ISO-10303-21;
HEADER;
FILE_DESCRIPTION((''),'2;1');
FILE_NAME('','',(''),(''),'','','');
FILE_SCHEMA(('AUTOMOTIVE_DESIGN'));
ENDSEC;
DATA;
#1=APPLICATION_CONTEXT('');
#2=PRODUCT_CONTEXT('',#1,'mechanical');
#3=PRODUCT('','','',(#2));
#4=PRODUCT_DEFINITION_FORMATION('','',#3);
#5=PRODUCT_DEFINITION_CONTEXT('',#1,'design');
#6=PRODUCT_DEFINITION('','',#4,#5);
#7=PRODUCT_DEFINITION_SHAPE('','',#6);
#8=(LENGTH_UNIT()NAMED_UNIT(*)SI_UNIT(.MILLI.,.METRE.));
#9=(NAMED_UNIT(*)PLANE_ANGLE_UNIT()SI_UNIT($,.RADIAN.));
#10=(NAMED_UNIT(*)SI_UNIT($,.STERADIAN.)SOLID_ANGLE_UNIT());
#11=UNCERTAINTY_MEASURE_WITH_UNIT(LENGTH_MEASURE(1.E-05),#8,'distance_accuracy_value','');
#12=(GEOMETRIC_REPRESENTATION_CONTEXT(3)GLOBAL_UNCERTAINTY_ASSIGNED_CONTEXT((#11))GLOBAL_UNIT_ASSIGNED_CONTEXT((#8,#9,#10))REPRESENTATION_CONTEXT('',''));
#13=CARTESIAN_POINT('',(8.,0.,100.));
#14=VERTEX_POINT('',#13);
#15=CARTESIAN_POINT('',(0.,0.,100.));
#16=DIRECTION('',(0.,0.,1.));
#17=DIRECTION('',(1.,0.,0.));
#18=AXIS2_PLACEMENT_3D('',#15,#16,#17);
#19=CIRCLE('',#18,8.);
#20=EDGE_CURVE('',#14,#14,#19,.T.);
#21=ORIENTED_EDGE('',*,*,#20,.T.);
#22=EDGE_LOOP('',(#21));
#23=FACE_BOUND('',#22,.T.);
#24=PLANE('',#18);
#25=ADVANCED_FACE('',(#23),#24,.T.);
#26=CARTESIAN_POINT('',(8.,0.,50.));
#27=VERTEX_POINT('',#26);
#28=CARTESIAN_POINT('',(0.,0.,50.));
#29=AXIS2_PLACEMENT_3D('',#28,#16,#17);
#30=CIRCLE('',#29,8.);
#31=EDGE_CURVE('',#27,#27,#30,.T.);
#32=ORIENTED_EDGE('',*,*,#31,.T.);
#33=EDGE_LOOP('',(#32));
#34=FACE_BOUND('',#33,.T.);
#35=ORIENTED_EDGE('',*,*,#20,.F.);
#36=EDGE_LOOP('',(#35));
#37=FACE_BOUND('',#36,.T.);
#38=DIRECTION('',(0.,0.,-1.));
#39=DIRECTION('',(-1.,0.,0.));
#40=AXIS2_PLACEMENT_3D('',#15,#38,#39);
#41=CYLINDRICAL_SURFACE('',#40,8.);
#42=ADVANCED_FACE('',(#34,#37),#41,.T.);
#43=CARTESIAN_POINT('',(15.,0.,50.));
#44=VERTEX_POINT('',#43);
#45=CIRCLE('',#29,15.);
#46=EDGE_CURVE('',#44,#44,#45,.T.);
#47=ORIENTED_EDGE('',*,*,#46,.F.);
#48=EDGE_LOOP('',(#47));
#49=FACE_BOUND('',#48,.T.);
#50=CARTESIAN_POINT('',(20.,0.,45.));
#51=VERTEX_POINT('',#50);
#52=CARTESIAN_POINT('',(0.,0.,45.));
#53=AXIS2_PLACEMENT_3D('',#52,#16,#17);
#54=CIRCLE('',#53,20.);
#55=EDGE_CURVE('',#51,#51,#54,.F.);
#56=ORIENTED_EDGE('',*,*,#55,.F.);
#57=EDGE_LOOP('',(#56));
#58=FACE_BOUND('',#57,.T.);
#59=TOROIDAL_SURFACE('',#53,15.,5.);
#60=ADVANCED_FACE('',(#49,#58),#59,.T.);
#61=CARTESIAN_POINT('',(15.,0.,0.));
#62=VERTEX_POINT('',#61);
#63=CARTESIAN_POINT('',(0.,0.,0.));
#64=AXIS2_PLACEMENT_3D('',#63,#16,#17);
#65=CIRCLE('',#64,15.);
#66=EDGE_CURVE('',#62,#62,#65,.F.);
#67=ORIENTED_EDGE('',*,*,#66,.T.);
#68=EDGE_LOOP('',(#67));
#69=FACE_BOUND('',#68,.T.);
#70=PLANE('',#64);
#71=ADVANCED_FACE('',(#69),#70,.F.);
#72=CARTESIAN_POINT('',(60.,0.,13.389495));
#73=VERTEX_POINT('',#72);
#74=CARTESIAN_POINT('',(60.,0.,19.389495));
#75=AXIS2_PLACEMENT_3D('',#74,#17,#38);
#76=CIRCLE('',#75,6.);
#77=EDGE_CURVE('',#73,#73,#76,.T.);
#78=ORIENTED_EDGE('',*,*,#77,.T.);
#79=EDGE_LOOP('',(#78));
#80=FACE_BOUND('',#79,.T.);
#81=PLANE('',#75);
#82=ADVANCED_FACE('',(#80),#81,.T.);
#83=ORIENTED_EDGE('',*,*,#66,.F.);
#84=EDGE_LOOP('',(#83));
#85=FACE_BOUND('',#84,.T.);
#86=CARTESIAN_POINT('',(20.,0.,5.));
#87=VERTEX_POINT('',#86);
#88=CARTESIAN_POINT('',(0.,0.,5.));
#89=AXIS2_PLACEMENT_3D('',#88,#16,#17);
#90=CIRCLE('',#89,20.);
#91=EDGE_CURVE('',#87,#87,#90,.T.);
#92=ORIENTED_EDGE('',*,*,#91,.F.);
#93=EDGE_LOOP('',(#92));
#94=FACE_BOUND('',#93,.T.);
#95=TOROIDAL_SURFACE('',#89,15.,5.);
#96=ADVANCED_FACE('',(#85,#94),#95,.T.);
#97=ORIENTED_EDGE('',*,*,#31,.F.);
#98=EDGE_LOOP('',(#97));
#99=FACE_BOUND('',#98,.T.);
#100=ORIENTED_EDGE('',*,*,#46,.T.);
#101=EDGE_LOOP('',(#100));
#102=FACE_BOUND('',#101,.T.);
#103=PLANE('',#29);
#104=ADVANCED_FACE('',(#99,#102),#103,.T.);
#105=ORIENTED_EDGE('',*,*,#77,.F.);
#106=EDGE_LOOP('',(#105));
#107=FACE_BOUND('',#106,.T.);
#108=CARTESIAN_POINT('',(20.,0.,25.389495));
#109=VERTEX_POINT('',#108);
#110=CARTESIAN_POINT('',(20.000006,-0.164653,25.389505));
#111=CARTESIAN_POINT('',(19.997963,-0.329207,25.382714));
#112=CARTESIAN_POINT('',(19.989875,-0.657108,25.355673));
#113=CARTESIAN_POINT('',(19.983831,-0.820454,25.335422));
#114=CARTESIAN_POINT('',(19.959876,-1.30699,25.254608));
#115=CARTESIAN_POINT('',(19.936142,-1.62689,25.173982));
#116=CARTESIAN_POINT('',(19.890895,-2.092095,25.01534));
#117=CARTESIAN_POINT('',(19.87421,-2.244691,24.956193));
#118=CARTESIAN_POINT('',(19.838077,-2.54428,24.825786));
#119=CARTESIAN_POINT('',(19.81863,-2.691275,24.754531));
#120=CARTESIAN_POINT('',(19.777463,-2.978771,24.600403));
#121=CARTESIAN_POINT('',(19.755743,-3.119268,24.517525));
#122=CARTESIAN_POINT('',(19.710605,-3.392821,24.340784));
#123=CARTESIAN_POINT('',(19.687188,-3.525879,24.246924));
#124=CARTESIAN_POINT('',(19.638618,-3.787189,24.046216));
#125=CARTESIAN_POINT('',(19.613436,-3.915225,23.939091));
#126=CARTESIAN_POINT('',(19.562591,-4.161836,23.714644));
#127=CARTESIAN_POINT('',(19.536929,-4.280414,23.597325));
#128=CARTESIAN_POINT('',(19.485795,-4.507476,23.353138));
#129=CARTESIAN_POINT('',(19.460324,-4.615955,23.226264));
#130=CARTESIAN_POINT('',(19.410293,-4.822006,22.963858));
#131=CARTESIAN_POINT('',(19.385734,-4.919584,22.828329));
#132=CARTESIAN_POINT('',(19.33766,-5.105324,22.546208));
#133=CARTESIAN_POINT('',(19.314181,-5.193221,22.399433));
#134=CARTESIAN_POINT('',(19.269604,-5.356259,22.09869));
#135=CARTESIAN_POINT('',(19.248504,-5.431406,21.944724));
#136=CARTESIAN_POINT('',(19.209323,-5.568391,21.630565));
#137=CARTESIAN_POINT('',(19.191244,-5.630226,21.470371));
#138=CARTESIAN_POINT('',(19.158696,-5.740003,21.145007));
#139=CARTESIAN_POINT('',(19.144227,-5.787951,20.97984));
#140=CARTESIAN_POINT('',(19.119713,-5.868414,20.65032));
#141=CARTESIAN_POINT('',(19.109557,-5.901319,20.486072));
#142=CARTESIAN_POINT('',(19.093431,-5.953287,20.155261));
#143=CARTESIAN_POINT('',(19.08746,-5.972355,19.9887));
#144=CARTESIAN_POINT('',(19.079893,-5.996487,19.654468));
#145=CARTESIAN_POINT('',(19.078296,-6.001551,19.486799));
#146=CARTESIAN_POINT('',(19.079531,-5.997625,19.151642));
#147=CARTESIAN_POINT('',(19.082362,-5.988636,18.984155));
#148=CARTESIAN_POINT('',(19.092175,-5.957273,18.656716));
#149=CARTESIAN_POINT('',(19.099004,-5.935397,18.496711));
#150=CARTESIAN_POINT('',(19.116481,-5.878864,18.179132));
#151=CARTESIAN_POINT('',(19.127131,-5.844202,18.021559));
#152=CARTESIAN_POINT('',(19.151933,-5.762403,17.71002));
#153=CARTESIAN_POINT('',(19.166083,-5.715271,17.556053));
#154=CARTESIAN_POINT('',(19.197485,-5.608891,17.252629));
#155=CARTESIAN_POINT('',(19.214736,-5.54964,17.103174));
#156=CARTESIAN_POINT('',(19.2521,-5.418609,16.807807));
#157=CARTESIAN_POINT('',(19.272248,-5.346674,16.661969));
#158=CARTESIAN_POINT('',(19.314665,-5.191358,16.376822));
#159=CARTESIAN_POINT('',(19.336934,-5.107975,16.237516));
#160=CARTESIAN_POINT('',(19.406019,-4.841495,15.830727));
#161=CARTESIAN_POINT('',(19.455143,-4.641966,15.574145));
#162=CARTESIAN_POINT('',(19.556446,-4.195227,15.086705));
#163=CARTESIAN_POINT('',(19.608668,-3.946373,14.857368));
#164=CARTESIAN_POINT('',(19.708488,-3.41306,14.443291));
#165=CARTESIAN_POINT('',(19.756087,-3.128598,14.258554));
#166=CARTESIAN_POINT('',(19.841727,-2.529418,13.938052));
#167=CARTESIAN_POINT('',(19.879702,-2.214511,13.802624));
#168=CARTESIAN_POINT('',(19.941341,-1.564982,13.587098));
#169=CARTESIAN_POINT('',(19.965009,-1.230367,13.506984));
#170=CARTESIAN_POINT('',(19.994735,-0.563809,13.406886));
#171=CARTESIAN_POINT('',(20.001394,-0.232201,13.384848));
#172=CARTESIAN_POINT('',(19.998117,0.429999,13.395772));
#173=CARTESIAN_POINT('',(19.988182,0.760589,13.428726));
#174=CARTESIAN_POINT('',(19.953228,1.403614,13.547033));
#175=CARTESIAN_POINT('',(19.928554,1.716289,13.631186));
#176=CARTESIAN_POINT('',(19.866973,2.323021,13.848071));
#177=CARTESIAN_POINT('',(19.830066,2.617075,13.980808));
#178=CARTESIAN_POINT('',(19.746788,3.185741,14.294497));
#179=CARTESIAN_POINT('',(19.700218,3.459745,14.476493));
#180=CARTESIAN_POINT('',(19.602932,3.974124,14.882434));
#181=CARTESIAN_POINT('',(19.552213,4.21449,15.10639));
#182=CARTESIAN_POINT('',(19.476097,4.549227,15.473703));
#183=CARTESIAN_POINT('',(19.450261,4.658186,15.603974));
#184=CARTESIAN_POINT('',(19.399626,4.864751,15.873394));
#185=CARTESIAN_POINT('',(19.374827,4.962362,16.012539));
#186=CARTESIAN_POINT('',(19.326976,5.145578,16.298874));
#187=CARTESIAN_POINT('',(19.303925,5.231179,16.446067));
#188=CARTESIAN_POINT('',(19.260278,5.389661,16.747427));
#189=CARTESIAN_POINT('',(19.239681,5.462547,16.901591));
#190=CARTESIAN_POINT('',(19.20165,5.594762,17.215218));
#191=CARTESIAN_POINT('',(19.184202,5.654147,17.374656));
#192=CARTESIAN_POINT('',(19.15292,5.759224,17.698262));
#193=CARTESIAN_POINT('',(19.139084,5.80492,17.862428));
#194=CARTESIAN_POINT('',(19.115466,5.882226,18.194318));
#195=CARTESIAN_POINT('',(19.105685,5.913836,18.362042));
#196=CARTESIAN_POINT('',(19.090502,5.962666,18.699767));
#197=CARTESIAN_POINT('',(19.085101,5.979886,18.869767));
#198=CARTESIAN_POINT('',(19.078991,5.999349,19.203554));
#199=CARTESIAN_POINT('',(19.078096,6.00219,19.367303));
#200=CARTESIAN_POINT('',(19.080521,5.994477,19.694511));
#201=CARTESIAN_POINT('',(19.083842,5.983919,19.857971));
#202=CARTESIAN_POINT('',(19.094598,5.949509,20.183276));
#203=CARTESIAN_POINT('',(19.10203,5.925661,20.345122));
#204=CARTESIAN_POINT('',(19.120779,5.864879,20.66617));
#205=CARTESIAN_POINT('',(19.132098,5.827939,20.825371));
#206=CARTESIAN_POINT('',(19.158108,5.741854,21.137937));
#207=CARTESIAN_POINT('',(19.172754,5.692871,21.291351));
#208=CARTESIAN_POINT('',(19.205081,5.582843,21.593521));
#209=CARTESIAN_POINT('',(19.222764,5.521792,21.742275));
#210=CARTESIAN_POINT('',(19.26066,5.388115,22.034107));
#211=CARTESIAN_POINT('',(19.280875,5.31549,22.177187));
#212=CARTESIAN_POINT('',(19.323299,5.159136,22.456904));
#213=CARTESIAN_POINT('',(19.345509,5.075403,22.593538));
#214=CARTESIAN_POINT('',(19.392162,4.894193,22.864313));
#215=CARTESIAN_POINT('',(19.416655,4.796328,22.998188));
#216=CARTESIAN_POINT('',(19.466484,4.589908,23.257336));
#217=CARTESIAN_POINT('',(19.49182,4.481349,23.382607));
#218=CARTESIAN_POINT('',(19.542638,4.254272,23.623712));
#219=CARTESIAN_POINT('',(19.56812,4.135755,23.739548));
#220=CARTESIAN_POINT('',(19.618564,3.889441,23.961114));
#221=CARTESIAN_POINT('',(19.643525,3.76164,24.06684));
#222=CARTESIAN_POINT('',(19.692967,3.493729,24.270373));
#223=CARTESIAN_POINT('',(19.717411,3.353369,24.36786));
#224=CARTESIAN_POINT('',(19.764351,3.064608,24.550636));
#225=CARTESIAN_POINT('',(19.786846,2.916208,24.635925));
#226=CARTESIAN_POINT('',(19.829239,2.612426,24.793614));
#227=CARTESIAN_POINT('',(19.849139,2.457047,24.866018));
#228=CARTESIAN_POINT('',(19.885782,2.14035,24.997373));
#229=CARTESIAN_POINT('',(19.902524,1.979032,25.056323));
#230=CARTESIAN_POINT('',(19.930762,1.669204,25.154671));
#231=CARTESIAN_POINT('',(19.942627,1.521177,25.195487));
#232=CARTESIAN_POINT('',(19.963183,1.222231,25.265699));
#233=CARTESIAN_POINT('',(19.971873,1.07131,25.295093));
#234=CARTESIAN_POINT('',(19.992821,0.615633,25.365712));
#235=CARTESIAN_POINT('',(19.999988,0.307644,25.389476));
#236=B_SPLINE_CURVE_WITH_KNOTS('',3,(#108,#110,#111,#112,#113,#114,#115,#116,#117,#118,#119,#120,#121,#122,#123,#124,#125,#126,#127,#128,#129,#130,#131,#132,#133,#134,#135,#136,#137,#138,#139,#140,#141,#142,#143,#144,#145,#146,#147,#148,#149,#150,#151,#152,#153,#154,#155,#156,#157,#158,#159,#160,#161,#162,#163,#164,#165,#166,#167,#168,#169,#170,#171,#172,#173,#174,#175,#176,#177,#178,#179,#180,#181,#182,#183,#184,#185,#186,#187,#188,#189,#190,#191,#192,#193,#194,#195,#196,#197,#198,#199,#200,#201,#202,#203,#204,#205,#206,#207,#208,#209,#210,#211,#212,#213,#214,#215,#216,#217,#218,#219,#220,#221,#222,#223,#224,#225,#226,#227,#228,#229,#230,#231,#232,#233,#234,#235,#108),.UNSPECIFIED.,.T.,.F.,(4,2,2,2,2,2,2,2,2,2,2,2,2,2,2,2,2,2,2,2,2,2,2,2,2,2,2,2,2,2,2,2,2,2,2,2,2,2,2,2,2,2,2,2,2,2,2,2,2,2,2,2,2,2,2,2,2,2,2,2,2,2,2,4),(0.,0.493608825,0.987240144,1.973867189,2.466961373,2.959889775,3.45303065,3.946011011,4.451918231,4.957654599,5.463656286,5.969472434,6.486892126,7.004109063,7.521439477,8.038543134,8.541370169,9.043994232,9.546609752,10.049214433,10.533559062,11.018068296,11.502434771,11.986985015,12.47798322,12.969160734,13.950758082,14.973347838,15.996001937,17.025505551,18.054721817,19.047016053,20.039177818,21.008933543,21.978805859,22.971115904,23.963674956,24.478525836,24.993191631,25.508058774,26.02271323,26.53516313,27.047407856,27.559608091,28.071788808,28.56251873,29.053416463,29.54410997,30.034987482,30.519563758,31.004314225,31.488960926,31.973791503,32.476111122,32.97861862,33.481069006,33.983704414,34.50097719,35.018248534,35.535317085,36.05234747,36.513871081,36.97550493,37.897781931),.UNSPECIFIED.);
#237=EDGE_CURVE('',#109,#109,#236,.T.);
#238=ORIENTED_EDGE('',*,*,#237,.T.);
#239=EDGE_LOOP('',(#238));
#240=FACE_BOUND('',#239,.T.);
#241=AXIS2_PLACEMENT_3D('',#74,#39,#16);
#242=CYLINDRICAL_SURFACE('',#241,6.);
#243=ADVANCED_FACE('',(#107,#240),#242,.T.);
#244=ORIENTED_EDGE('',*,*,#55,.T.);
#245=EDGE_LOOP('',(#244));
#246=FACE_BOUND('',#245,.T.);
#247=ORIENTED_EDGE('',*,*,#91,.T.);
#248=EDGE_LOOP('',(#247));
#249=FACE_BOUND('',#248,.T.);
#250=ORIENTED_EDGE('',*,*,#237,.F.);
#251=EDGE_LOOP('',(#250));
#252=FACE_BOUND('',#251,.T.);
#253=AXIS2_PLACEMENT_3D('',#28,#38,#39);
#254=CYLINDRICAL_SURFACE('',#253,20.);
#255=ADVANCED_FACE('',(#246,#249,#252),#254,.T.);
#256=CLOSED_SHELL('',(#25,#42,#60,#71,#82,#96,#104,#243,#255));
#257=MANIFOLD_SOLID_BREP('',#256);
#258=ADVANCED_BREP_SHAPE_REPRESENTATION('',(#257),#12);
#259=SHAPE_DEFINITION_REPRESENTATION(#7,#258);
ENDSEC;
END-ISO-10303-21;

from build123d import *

# Parameters (mm, degrees)
SZKIC1_R                    = 20
DODANIE_WYCI_GNI_CIE1_DEPTH = 50
ZAOKR_GLENIE1_R             = 5
SZKIC2_R                    = 8
DODANIE_WYCI_GNI_CIE2_DEPTH = 50
SZKIC3_R                    = 6
DODANIE_WYCI_GNI_CIE3_DEPTH = 60


with BuildPart() as part:
    # Szkic1 → Dodanie-wyciągnięcie1 (new body)
    with BuildSketch(Plane.XY):
        Circle(SZKIC1_R)
    extrude(amount=DODANIE_WYCI_GNI_CIE1_DEPTH)

    # Zaokrąglenie1
    zaokr_glenie1_edges = [part.edges().sort_by_distance(p)[0] for p in [
        (-20, 0, 0),
        (-20, 0, 50),
    ]]
    fillet(zaokr_glenie1_edges, radius=ZAOKR_GLENIE1_R)

    # Szkic2 → Dodanie-wyciągnięcie2 (add)
    with BuildSketch(Plane.XY.offset(50)):
        Circle(SZKIC2_R)
    extrude(amount=DODANIE_WYCI_GNI_CIE2_DEPTH)

    # Szkic3 → Dodanie-wyciągnięcie3 (add)
    with BuildSketch(Plane(origin=(0, 0, 0), x_dir=(0, 0, -1), z_dir=(1, 0, 0))):
        with Locations((-19.389494998, 0)):
            Circle(SZKIC3_R)
    extrude(amount=DODANIE_WYCI_GNI_CIE3_DEPTH)


solid = part.part
